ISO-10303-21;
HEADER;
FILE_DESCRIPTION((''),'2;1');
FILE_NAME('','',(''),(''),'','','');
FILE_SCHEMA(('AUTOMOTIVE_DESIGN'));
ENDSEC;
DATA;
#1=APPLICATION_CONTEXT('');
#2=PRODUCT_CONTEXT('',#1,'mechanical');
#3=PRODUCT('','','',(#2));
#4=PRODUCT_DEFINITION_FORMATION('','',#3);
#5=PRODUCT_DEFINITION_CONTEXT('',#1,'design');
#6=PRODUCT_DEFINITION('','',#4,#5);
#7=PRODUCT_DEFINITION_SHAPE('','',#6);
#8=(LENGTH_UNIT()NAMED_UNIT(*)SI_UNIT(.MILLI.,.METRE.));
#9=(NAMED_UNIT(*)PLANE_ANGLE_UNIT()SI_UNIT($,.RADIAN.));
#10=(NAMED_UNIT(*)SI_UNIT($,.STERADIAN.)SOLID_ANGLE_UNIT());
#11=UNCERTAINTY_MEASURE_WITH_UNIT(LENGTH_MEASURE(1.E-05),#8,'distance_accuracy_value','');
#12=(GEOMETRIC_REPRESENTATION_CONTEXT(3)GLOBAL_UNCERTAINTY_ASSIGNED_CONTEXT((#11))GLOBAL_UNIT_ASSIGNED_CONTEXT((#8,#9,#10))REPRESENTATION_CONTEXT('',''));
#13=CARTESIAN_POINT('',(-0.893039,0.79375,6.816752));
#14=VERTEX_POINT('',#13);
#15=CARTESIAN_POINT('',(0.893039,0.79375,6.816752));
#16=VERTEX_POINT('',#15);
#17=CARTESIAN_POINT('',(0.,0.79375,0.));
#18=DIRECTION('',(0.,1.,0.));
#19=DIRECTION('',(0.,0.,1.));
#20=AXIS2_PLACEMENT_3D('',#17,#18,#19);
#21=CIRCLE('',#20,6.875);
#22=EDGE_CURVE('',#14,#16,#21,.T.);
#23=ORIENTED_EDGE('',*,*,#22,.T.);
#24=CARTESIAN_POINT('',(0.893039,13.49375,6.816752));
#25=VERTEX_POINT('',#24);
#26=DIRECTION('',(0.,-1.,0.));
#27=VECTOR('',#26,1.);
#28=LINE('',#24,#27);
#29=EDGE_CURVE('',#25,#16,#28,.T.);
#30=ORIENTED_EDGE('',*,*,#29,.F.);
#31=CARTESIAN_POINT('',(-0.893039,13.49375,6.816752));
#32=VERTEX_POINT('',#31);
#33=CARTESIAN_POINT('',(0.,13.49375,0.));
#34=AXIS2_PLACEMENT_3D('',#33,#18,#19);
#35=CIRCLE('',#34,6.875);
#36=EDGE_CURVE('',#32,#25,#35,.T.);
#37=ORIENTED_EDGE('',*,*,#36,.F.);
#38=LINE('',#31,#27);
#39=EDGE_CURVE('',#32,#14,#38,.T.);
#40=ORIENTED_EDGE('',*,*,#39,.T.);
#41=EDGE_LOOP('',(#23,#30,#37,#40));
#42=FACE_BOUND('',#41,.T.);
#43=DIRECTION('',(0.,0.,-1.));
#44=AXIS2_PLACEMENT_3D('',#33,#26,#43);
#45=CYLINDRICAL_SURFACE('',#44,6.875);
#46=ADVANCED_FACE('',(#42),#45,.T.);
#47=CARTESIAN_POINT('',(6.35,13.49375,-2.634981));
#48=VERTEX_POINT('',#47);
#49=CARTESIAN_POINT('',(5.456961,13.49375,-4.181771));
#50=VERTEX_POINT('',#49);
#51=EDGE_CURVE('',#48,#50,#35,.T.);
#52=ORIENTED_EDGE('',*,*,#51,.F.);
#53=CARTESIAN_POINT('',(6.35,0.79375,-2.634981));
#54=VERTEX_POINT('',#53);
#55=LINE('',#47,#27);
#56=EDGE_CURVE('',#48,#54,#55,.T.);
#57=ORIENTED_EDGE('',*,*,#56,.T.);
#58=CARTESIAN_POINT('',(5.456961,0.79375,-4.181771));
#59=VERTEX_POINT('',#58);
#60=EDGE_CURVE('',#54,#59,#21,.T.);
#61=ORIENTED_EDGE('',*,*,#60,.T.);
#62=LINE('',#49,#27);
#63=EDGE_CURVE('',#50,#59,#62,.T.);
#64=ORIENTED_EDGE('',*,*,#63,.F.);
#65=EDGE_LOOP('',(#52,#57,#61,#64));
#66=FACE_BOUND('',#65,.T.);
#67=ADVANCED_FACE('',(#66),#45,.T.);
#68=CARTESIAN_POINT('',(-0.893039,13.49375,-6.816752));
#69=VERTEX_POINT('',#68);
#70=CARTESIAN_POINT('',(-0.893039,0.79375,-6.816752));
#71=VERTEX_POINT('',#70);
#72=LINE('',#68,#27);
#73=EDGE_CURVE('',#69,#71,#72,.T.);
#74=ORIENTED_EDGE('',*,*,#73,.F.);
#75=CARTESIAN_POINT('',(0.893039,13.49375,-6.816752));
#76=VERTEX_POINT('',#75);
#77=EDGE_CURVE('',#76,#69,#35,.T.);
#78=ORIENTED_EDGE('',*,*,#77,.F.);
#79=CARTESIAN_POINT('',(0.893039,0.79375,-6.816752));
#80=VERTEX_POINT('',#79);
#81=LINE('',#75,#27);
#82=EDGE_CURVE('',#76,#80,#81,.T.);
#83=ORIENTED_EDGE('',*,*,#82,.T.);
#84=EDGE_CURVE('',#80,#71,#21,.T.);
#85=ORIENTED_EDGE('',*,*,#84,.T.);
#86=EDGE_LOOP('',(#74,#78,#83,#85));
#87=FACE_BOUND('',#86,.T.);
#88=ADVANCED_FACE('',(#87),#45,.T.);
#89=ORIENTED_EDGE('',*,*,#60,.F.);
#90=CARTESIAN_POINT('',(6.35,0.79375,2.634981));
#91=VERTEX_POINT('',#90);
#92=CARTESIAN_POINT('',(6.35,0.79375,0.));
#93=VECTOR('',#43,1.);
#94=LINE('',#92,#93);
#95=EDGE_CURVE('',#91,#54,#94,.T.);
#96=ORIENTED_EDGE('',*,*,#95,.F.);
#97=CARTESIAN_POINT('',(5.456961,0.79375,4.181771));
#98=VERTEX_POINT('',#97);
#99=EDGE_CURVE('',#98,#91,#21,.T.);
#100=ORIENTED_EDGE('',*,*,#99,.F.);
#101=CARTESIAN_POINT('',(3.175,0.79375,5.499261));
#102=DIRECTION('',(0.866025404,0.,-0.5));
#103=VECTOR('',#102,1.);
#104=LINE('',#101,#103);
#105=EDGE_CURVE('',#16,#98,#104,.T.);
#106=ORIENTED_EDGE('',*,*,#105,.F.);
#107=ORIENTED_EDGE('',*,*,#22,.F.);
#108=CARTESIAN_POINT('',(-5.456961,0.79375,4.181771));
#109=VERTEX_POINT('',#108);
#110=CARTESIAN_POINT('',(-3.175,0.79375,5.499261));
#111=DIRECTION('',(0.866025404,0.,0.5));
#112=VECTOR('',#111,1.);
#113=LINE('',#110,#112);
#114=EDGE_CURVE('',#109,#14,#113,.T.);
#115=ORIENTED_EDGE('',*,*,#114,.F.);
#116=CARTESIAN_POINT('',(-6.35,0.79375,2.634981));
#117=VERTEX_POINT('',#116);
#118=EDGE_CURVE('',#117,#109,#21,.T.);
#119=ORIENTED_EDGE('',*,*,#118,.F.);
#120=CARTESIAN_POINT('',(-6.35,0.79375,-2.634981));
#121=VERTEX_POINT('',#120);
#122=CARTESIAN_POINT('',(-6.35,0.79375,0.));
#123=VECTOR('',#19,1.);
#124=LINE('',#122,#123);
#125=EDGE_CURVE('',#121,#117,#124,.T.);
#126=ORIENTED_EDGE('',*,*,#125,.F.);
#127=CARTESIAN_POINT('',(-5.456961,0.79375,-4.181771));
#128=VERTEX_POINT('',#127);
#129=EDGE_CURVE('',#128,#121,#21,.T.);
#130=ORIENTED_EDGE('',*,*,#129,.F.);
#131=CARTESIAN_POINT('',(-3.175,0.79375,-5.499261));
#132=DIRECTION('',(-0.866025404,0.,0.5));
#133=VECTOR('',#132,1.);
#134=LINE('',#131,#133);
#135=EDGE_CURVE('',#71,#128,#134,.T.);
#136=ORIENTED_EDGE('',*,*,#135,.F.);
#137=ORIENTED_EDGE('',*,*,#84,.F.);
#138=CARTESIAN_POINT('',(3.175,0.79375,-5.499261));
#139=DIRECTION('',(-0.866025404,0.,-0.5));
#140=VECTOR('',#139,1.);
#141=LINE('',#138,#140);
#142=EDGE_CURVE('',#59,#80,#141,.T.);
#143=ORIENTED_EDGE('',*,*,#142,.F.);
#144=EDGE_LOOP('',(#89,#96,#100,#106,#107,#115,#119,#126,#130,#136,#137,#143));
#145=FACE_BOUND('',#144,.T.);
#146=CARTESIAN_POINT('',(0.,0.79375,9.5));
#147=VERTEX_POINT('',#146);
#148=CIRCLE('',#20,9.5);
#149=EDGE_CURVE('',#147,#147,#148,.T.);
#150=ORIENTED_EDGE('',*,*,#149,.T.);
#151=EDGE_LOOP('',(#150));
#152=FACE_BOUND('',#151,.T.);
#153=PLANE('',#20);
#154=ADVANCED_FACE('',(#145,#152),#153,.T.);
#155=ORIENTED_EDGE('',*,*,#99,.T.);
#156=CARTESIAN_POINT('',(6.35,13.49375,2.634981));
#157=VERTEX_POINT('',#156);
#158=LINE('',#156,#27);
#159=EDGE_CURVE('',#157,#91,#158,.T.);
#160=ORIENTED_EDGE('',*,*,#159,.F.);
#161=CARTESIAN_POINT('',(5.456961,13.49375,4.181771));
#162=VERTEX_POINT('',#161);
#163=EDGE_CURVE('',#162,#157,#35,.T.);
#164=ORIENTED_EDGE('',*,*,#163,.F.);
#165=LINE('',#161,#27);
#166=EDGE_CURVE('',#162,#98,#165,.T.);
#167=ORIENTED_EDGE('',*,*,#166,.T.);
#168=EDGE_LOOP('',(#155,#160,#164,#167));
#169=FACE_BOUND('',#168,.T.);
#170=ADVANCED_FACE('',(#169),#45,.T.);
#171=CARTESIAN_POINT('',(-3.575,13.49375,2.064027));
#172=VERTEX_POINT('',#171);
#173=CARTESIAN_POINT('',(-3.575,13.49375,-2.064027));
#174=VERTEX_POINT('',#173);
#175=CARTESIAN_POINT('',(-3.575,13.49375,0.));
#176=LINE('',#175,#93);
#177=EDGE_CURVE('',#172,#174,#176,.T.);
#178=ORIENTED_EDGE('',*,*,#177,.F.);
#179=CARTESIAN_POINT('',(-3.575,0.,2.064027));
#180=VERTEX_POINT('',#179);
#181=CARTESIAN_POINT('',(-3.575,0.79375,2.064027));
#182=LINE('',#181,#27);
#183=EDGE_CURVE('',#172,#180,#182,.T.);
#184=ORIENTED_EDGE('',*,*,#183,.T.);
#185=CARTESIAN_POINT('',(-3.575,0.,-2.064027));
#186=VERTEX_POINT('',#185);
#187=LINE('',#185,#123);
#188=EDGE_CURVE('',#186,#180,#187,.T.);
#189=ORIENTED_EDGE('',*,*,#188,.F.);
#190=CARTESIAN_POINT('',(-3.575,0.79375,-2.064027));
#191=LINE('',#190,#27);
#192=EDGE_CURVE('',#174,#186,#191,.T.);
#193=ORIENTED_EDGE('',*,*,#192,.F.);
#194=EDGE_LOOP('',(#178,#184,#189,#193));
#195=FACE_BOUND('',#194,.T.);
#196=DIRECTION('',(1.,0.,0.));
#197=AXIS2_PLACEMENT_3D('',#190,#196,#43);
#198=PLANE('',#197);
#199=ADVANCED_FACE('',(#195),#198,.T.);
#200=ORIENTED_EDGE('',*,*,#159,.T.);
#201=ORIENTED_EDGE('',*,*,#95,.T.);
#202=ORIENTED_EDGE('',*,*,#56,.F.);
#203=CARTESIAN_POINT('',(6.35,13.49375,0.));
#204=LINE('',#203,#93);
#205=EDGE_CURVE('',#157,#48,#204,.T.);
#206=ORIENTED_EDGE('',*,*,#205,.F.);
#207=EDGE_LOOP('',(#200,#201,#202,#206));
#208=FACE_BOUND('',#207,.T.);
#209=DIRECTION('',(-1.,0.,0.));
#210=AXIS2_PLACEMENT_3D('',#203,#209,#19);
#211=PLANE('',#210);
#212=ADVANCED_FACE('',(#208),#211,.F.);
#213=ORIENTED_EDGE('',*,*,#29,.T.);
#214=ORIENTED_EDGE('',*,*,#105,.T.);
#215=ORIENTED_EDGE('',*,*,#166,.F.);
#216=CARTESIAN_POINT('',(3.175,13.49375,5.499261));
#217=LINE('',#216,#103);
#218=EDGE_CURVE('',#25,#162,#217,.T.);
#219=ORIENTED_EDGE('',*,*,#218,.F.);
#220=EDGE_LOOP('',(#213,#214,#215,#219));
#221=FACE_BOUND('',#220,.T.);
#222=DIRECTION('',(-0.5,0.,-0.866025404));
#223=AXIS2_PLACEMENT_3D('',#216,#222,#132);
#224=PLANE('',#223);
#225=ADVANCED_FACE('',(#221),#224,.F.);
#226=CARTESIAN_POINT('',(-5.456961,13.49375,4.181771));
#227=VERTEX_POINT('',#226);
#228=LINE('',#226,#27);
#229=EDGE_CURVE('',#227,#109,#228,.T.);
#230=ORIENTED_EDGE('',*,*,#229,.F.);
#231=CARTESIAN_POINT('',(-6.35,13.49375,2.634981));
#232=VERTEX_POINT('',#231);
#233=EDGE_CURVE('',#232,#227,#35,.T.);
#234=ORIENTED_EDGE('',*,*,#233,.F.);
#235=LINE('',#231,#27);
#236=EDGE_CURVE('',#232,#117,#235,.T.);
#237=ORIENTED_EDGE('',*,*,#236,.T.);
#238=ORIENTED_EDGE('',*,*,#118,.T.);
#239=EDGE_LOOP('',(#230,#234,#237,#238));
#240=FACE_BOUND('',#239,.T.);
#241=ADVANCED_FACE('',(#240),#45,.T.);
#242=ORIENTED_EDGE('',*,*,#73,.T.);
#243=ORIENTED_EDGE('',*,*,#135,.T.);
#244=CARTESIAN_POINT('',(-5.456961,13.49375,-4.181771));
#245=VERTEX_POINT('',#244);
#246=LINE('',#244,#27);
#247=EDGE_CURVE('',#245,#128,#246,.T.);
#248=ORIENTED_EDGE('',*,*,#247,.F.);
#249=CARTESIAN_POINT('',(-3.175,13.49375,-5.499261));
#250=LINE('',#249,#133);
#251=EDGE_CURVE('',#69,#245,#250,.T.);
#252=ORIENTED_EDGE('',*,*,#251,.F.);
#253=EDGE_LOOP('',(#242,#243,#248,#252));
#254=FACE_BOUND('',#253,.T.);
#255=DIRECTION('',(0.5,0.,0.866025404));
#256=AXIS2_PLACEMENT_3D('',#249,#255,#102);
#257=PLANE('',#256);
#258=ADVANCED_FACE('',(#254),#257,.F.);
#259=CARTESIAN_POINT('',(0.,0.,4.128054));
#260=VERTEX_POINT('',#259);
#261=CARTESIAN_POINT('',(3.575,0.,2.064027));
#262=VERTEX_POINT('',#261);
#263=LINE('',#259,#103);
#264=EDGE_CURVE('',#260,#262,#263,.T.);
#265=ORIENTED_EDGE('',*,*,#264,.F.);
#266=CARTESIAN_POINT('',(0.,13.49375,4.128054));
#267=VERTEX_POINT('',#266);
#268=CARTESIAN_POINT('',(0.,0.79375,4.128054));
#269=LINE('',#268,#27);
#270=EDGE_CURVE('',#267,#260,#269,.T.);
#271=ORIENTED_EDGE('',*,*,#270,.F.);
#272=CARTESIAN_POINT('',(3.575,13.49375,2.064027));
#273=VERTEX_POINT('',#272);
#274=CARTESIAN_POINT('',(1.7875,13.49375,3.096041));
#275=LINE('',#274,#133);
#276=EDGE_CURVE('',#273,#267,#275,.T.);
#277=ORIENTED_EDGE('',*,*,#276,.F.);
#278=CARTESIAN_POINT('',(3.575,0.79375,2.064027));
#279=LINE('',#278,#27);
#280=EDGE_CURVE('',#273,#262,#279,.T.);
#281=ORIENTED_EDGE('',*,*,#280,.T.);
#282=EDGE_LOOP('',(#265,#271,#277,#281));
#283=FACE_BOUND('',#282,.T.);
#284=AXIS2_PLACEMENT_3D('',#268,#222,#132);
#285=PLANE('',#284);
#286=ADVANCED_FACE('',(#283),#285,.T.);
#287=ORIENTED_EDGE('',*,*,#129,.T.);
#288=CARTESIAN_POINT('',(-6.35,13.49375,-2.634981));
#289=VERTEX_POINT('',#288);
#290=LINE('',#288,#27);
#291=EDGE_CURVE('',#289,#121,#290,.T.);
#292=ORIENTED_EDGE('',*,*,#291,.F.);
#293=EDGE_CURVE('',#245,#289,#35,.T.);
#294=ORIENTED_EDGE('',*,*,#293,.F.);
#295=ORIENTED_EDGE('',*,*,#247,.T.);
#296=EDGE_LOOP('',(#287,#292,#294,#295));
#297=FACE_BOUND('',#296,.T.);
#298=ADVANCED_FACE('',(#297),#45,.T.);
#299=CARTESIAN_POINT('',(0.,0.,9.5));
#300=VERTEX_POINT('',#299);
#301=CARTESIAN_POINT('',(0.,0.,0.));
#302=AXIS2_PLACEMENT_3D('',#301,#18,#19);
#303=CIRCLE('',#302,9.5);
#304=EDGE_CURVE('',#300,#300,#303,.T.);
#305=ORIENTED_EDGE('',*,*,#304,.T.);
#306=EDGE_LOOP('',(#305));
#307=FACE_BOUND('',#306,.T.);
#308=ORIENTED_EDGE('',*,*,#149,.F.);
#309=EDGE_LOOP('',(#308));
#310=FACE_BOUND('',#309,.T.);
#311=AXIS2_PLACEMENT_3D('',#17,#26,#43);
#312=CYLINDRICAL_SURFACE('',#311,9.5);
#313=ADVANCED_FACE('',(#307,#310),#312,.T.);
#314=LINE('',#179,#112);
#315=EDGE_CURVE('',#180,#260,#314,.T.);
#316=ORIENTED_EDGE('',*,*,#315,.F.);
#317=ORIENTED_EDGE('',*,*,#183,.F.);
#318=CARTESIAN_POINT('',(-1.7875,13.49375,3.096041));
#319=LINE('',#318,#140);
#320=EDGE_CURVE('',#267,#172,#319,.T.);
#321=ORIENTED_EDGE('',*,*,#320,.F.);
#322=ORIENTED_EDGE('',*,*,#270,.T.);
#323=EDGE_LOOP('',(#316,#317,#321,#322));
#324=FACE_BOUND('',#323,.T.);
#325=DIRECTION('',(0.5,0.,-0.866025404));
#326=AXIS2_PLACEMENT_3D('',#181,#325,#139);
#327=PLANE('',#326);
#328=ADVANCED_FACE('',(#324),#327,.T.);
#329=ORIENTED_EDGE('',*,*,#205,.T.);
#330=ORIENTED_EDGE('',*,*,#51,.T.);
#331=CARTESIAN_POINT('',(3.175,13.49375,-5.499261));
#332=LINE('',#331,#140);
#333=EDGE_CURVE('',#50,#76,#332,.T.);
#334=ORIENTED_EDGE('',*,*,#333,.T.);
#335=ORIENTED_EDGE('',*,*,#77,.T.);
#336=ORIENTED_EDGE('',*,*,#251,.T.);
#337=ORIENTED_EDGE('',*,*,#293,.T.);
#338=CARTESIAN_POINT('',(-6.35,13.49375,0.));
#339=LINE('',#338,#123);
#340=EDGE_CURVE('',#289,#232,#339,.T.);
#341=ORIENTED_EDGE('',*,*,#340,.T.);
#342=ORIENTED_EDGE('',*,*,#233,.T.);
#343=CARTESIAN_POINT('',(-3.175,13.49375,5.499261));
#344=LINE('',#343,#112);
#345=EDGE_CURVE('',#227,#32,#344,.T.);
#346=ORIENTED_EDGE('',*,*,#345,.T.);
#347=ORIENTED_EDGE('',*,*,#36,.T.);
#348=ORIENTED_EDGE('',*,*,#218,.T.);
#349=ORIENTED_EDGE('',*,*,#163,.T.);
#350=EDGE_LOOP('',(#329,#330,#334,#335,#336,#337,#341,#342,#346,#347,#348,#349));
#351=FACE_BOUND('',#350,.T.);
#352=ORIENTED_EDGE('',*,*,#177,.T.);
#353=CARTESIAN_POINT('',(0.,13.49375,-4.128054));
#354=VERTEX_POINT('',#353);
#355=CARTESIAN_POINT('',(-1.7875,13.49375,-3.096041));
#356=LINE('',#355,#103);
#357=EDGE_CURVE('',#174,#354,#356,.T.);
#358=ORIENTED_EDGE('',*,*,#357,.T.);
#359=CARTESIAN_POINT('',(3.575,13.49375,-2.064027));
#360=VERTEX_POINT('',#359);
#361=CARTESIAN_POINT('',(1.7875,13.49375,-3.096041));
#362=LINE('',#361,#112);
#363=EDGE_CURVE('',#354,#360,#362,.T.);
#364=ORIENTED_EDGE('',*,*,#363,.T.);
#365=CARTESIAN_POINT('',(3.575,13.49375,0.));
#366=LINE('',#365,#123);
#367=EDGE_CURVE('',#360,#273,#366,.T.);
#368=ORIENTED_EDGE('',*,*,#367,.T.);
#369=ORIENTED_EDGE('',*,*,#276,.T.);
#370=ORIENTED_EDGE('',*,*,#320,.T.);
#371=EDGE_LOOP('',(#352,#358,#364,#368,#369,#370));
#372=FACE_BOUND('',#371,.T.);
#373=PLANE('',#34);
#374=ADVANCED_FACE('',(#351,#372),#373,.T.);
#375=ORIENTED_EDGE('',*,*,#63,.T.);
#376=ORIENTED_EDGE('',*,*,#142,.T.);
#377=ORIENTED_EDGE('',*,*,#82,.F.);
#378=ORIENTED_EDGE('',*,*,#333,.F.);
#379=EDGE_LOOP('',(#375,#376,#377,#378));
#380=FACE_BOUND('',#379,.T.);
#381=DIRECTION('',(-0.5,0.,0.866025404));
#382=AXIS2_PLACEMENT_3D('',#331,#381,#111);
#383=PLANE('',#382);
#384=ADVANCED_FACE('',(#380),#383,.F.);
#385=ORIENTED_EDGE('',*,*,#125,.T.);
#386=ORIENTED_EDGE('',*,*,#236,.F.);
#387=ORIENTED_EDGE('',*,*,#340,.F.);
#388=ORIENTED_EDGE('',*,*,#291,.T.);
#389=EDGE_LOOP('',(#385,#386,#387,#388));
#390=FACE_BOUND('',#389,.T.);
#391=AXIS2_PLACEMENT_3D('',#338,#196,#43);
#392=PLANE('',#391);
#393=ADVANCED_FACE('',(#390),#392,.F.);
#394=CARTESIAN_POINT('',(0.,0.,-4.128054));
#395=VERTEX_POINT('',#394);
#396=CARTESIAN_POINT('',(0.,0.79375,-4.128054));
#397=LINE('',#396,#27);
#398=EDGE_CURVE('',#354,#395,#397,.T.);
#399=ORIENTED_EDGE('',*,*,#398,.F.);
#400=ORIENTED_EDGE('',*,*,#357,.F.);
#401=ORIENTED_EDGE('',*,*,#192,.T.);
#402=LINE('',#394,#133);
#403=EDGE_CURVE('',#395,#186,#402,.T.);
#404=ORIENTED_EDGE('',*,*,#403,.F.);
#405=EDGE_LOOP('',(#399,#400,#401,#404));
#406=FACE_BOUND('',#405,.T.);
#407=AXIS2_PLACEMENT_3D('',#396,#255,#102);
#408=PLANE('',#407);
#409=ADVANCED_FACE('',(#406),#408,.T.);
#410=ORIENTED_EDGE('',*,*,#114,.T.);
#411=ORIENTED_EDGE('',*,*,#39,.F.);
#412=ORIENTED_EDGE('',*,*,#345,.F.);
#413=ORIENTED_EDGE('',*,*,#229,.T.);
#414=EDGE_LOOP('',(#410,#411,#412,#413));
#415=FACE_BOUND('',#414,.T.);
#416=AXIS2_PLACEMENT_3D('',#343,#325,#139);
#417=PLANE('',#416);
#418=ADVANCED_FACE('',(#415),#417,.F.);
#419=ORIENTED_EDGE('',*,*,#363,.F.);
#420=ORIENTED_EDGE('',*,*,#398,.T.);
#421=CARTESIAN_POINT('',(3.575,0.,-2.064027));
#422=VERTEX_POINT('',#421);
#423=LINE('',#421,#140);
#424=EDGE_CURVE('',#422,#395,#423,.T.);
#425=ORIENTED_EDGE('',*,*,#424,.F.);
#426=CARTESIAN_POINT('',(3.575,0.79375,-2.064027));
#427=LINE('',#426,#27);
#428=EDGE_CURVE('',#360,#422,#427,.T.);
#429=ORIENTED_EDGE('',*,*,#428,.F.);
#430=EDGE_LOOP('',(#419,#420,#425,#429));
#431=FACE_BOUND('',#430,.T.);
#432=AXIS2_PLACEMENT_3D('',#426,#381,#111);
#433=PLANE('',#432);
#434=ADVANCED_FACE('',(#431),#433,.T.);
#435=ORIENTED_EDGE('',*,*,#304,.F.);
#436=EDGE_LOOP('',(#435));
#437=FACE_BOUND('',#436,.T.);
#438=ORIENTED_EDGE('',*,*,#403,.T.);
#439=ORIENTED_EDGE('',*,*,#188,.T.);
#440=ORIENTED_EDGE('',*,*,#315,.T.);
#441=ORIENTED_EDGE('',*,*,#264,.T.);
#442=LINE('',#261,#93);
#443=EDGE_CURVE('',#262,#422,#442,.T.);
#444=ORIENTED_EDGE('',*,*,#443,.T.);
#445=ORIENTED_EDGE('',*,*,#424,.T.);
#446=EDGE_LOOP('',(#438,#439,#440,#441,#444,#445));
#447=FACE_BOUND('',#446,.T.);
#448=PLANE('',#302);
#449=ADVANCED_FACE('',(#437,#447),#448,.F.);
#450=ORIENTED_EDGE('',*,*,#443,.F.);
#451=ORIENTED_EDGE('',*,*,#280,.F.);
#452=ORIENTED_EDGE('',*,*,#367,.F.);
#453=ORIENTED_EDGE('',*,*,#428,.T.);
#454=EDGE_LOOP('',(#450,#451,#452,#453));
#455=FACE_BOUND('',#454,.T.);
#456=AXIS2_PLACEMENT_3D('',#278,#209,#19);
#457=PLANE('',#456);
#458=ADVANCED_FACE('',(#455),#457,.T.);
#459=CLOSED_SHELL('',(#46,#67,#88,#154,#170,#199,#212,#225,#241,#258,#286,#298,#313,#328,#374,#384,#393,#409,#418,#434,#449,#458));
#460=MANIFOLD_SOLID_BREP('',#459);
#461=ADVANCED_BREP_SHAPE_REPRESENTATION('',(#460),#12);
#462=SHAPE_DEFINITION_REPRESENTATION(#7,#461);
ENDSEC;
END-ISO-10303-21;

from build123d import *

# Parameters (mm, degrees)
SKETCH1_R           = 9.5
BOSS_EXTRUDE1_DEPTH = 0.79375
BOSS_EXTRUDE2_DEPTH = 12.7


with BuildPart() as part:
    # Sketch1 → Boss-Extrude1 (new body)
    with BuildSketch(Plane(origin=(0, 0, 0), x_dir=(1, 0, 0), z_dir=(0, 1, 0))):
        with Locations(Location((0, 0, 0), (0, 0, 270))):
            Circle(SKETCH1_R)
        Polygon((0, 4.128054425), (-3.575, 2.064027212), (-3.575, -2.064027212), (0, -4.128054425), (3.575, -2.064027212), (3.575, 2.064027212), align=None, mode=Mode.SUBTRACT)
    extrude(amount=BOSS_EXTRUDE1_DEPTH)

    # Sketch2 → Boss-Extrude2 (add)
    with BuildSketch(Plane(origin=(0, 0.79375, 0), x_dir=(1, 0, 0), z_dir=(0, 1, 0))):
        with BuildLine():
            ThreePointArc((0.893039494, 6.816751826), (0, 6.875), (-0.893039494, 6.816751826))
            Line((-0.893039494, 6.816751826), (-5.456960506, 4.181770802))
            ThreePointArc((-5.456960506, 4.181770802), (-5.953924651, 3.4375), (-6.35, 2.634981025))
            Line((-6.35, 2.634981025), (-6.35, -2.634981025))
            ThreePointArc((-6.35, -2.634981025), (-5.953924651, -3.4375), (-5.456960506, -4.181770802))
            Line((-5.456960506, -4.181770802), (-0.893039494, -6.816751826))
            ThreePointArc((-0.893039494, -6.816751826), (0, -6.875), (0.893039494, -6.816751826))
            Line((0.893039494, -6.816751826), (5.456960506, -4.181770802))
            ThreePointArc((5.456960506, -4.181770802), (5.953924651, -3.4375), (6.35, -2.634981025))
            Line((6.35, -2.634981025), (6.35, 2.634981025))
            ThreePointArc((6.35, 2.634981025), (5.953924651, 3.4375), (5.456960506, 4.181770802))
            Line((5.456960506, 4.181770802), (0.893039494, 6.816751826))
        make_face()
        Polygon((-3.575, 2.064027212), (0, 4.128054425), (3.575, 2.064027212), (3.575, -2.064027212), (0, -4.128054425), (-3.575, -2.064027212), align=None, mode=Mode.SUBTRACT)
    extrude(amount=BOSS_EXTRUDE2_DEPTH)


solid = part.part
